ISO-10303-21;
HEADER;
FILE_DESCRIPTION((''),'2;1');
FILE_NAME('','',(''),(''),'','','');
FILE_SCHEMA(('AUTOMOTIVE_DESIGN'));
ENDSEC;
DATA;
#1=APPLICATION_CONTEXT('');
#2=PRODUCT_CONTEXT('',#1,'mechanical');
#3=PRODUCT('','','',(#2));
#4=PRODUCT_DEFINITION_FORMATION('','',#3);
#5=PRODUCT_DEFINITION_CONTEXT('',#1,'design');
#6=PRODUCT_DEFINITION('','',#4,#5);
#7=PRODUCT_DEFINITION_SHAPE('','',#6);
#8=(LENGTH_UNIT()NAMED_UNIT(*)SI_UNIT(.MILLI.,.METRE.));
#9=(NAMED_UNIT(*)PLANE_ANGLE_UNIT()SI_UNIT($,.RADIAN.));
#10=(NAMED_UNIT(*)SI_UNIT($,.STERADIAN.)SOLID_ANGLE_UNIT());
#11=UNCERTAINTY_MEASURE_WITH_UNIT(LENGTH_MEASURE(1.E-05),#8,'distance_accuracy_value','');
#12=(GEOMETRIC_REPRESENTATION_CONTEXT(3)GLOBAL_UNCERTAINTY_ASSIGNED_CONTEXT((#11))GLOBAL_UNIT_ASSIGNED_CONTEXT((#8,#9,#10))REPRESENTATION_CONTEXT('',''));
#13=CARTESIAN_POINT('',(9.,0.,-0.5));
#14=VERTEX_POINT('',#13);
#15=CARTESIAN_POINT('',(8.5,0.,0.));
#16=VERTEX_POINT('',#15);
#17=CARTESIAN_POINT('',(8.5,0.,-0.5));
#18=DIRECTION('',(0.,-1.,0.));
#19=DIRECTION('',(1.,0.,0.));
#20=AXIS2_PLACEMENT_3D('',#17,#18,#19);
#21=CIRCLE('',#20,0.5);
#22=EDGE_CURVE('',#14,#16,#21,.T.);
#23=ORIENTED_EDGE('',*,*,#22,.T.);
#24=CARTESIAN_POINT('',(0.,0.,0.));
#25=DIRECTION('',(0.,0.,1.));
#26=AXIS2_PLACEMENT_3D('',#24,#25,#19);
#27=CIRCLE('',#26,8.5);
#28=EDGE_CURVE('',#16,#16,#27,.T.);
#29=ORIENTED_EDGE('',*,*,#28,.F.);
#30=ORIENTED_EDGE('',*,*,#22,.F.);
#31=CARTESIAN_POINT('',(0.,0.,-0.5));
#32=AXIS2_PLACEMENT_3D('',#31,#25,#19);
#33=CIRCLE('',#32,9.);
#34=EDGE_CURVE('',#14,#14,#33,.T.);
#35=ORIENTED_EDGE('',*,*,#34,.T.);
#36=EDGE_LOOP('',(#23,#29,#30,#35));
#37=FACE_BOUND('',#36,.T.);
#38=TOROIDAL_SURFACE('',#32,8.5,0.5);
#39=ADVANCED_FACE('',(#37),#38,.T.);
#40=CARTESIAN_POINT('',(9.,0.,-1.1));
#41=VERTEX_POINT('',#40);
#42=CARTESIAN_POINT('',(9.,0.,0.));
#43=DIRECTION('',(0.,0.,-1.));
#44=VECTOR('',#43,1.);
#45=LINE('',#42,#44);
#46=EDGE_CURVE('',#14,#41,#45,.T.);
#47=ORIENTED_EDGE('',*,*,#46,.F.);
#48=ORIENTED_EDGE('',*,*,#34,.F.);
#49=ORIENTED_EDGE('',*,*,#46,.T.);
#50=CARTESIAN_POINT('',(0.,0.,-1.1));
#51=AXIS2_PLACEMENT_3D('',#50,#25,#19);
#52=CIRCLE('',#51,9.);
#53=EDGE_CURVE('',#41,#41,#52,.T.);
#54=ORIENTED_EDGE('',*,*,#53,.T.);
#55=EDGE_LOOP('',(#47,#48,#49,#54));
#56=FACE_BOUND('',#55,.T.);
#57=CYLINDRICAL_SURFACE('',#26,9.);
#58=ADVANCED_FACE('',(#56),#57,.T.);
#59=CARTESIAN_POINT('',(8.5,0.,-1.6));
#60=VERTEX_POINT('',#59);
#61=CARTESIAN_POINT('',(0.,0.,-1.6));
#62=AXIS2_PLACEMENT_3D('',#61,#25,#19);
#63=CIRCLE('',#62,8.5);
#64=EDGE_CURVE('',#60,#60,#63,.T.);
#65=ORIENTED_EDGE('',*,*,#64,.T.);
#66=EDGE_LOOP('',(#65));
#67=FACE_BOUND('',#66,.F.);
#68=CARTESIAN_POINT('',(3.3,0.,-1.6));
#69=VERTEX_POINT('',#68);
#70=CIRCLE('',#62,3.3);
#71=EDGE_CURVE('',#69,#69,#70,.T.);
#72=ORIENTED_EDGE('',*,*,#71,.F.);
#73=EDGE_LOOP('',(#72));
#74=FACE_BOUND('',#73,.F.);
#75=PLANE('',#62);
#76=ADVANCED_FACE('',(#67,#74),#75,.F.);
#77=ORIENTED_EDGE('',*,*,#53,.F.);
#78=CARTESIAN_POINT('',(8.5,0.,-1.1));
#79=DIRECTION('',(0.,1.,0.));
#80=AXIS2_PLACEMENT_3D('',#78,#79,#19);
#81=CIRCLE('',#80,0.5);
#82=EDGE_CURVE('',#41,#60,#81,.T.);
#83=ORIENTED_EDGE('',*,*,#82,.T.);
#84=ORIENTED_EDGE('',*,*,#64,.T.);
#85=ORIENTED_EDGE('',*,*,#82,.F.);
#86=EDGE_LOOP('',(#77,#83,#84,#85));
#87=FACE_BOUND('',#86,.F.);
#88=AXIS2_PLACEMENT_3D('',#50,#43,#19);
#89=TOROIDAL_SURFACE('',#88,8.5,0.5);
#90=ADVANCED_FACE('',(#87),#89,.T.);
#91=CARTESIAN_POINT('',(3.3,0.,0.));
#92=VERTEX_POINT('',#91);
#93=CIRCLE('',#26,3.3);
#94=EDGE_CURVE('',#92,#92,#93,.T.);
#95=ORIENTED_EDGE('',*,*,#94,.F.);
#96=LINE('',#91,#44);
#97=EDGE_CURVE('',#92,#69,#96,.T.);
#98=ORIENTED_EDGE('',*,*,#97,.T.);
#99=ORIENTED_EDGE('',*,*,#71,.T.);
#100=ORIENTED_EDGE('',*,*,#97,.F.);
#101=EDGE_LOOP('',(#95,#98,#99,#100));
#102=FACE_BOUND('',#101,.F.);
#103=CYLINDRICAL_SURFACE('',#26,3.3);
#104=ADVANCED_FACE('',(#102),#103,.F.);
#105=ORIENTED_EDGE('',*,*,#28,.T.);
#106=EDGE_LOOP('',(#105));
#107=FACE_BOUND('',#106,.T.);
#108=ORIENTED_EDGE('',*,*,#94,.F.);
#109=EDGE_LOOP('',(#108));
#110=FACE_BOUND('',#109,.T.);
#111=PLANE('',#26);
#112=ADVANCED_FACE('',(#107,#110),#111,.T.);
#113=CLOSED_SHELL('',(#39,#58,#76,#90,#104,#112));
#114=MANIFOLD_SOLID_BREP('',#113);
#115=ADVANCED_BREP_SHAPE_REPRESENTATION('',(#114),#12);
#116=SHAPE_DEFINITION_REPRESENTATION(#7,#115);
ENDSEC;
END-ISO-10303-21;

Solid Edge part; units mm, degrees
sketch "Sketch1" plane through (0, 0, 0) normal (0, 0, 1) x (1, 0, 0)
  circle A0 centre (0, 0) radius 9
  circle A1 centre (0, 0) radius 3.3
  dimension "D1" = 18
  dimension "D2" = 6.6
extrude "Protrusion1" add sketch "Sketch1" against normal blind 1.6
fillet "倒圆_1" radius 0.5 2 edges at (-9, 0, 0) (-9, 0, -1.6)
properties material "铝 1060"
